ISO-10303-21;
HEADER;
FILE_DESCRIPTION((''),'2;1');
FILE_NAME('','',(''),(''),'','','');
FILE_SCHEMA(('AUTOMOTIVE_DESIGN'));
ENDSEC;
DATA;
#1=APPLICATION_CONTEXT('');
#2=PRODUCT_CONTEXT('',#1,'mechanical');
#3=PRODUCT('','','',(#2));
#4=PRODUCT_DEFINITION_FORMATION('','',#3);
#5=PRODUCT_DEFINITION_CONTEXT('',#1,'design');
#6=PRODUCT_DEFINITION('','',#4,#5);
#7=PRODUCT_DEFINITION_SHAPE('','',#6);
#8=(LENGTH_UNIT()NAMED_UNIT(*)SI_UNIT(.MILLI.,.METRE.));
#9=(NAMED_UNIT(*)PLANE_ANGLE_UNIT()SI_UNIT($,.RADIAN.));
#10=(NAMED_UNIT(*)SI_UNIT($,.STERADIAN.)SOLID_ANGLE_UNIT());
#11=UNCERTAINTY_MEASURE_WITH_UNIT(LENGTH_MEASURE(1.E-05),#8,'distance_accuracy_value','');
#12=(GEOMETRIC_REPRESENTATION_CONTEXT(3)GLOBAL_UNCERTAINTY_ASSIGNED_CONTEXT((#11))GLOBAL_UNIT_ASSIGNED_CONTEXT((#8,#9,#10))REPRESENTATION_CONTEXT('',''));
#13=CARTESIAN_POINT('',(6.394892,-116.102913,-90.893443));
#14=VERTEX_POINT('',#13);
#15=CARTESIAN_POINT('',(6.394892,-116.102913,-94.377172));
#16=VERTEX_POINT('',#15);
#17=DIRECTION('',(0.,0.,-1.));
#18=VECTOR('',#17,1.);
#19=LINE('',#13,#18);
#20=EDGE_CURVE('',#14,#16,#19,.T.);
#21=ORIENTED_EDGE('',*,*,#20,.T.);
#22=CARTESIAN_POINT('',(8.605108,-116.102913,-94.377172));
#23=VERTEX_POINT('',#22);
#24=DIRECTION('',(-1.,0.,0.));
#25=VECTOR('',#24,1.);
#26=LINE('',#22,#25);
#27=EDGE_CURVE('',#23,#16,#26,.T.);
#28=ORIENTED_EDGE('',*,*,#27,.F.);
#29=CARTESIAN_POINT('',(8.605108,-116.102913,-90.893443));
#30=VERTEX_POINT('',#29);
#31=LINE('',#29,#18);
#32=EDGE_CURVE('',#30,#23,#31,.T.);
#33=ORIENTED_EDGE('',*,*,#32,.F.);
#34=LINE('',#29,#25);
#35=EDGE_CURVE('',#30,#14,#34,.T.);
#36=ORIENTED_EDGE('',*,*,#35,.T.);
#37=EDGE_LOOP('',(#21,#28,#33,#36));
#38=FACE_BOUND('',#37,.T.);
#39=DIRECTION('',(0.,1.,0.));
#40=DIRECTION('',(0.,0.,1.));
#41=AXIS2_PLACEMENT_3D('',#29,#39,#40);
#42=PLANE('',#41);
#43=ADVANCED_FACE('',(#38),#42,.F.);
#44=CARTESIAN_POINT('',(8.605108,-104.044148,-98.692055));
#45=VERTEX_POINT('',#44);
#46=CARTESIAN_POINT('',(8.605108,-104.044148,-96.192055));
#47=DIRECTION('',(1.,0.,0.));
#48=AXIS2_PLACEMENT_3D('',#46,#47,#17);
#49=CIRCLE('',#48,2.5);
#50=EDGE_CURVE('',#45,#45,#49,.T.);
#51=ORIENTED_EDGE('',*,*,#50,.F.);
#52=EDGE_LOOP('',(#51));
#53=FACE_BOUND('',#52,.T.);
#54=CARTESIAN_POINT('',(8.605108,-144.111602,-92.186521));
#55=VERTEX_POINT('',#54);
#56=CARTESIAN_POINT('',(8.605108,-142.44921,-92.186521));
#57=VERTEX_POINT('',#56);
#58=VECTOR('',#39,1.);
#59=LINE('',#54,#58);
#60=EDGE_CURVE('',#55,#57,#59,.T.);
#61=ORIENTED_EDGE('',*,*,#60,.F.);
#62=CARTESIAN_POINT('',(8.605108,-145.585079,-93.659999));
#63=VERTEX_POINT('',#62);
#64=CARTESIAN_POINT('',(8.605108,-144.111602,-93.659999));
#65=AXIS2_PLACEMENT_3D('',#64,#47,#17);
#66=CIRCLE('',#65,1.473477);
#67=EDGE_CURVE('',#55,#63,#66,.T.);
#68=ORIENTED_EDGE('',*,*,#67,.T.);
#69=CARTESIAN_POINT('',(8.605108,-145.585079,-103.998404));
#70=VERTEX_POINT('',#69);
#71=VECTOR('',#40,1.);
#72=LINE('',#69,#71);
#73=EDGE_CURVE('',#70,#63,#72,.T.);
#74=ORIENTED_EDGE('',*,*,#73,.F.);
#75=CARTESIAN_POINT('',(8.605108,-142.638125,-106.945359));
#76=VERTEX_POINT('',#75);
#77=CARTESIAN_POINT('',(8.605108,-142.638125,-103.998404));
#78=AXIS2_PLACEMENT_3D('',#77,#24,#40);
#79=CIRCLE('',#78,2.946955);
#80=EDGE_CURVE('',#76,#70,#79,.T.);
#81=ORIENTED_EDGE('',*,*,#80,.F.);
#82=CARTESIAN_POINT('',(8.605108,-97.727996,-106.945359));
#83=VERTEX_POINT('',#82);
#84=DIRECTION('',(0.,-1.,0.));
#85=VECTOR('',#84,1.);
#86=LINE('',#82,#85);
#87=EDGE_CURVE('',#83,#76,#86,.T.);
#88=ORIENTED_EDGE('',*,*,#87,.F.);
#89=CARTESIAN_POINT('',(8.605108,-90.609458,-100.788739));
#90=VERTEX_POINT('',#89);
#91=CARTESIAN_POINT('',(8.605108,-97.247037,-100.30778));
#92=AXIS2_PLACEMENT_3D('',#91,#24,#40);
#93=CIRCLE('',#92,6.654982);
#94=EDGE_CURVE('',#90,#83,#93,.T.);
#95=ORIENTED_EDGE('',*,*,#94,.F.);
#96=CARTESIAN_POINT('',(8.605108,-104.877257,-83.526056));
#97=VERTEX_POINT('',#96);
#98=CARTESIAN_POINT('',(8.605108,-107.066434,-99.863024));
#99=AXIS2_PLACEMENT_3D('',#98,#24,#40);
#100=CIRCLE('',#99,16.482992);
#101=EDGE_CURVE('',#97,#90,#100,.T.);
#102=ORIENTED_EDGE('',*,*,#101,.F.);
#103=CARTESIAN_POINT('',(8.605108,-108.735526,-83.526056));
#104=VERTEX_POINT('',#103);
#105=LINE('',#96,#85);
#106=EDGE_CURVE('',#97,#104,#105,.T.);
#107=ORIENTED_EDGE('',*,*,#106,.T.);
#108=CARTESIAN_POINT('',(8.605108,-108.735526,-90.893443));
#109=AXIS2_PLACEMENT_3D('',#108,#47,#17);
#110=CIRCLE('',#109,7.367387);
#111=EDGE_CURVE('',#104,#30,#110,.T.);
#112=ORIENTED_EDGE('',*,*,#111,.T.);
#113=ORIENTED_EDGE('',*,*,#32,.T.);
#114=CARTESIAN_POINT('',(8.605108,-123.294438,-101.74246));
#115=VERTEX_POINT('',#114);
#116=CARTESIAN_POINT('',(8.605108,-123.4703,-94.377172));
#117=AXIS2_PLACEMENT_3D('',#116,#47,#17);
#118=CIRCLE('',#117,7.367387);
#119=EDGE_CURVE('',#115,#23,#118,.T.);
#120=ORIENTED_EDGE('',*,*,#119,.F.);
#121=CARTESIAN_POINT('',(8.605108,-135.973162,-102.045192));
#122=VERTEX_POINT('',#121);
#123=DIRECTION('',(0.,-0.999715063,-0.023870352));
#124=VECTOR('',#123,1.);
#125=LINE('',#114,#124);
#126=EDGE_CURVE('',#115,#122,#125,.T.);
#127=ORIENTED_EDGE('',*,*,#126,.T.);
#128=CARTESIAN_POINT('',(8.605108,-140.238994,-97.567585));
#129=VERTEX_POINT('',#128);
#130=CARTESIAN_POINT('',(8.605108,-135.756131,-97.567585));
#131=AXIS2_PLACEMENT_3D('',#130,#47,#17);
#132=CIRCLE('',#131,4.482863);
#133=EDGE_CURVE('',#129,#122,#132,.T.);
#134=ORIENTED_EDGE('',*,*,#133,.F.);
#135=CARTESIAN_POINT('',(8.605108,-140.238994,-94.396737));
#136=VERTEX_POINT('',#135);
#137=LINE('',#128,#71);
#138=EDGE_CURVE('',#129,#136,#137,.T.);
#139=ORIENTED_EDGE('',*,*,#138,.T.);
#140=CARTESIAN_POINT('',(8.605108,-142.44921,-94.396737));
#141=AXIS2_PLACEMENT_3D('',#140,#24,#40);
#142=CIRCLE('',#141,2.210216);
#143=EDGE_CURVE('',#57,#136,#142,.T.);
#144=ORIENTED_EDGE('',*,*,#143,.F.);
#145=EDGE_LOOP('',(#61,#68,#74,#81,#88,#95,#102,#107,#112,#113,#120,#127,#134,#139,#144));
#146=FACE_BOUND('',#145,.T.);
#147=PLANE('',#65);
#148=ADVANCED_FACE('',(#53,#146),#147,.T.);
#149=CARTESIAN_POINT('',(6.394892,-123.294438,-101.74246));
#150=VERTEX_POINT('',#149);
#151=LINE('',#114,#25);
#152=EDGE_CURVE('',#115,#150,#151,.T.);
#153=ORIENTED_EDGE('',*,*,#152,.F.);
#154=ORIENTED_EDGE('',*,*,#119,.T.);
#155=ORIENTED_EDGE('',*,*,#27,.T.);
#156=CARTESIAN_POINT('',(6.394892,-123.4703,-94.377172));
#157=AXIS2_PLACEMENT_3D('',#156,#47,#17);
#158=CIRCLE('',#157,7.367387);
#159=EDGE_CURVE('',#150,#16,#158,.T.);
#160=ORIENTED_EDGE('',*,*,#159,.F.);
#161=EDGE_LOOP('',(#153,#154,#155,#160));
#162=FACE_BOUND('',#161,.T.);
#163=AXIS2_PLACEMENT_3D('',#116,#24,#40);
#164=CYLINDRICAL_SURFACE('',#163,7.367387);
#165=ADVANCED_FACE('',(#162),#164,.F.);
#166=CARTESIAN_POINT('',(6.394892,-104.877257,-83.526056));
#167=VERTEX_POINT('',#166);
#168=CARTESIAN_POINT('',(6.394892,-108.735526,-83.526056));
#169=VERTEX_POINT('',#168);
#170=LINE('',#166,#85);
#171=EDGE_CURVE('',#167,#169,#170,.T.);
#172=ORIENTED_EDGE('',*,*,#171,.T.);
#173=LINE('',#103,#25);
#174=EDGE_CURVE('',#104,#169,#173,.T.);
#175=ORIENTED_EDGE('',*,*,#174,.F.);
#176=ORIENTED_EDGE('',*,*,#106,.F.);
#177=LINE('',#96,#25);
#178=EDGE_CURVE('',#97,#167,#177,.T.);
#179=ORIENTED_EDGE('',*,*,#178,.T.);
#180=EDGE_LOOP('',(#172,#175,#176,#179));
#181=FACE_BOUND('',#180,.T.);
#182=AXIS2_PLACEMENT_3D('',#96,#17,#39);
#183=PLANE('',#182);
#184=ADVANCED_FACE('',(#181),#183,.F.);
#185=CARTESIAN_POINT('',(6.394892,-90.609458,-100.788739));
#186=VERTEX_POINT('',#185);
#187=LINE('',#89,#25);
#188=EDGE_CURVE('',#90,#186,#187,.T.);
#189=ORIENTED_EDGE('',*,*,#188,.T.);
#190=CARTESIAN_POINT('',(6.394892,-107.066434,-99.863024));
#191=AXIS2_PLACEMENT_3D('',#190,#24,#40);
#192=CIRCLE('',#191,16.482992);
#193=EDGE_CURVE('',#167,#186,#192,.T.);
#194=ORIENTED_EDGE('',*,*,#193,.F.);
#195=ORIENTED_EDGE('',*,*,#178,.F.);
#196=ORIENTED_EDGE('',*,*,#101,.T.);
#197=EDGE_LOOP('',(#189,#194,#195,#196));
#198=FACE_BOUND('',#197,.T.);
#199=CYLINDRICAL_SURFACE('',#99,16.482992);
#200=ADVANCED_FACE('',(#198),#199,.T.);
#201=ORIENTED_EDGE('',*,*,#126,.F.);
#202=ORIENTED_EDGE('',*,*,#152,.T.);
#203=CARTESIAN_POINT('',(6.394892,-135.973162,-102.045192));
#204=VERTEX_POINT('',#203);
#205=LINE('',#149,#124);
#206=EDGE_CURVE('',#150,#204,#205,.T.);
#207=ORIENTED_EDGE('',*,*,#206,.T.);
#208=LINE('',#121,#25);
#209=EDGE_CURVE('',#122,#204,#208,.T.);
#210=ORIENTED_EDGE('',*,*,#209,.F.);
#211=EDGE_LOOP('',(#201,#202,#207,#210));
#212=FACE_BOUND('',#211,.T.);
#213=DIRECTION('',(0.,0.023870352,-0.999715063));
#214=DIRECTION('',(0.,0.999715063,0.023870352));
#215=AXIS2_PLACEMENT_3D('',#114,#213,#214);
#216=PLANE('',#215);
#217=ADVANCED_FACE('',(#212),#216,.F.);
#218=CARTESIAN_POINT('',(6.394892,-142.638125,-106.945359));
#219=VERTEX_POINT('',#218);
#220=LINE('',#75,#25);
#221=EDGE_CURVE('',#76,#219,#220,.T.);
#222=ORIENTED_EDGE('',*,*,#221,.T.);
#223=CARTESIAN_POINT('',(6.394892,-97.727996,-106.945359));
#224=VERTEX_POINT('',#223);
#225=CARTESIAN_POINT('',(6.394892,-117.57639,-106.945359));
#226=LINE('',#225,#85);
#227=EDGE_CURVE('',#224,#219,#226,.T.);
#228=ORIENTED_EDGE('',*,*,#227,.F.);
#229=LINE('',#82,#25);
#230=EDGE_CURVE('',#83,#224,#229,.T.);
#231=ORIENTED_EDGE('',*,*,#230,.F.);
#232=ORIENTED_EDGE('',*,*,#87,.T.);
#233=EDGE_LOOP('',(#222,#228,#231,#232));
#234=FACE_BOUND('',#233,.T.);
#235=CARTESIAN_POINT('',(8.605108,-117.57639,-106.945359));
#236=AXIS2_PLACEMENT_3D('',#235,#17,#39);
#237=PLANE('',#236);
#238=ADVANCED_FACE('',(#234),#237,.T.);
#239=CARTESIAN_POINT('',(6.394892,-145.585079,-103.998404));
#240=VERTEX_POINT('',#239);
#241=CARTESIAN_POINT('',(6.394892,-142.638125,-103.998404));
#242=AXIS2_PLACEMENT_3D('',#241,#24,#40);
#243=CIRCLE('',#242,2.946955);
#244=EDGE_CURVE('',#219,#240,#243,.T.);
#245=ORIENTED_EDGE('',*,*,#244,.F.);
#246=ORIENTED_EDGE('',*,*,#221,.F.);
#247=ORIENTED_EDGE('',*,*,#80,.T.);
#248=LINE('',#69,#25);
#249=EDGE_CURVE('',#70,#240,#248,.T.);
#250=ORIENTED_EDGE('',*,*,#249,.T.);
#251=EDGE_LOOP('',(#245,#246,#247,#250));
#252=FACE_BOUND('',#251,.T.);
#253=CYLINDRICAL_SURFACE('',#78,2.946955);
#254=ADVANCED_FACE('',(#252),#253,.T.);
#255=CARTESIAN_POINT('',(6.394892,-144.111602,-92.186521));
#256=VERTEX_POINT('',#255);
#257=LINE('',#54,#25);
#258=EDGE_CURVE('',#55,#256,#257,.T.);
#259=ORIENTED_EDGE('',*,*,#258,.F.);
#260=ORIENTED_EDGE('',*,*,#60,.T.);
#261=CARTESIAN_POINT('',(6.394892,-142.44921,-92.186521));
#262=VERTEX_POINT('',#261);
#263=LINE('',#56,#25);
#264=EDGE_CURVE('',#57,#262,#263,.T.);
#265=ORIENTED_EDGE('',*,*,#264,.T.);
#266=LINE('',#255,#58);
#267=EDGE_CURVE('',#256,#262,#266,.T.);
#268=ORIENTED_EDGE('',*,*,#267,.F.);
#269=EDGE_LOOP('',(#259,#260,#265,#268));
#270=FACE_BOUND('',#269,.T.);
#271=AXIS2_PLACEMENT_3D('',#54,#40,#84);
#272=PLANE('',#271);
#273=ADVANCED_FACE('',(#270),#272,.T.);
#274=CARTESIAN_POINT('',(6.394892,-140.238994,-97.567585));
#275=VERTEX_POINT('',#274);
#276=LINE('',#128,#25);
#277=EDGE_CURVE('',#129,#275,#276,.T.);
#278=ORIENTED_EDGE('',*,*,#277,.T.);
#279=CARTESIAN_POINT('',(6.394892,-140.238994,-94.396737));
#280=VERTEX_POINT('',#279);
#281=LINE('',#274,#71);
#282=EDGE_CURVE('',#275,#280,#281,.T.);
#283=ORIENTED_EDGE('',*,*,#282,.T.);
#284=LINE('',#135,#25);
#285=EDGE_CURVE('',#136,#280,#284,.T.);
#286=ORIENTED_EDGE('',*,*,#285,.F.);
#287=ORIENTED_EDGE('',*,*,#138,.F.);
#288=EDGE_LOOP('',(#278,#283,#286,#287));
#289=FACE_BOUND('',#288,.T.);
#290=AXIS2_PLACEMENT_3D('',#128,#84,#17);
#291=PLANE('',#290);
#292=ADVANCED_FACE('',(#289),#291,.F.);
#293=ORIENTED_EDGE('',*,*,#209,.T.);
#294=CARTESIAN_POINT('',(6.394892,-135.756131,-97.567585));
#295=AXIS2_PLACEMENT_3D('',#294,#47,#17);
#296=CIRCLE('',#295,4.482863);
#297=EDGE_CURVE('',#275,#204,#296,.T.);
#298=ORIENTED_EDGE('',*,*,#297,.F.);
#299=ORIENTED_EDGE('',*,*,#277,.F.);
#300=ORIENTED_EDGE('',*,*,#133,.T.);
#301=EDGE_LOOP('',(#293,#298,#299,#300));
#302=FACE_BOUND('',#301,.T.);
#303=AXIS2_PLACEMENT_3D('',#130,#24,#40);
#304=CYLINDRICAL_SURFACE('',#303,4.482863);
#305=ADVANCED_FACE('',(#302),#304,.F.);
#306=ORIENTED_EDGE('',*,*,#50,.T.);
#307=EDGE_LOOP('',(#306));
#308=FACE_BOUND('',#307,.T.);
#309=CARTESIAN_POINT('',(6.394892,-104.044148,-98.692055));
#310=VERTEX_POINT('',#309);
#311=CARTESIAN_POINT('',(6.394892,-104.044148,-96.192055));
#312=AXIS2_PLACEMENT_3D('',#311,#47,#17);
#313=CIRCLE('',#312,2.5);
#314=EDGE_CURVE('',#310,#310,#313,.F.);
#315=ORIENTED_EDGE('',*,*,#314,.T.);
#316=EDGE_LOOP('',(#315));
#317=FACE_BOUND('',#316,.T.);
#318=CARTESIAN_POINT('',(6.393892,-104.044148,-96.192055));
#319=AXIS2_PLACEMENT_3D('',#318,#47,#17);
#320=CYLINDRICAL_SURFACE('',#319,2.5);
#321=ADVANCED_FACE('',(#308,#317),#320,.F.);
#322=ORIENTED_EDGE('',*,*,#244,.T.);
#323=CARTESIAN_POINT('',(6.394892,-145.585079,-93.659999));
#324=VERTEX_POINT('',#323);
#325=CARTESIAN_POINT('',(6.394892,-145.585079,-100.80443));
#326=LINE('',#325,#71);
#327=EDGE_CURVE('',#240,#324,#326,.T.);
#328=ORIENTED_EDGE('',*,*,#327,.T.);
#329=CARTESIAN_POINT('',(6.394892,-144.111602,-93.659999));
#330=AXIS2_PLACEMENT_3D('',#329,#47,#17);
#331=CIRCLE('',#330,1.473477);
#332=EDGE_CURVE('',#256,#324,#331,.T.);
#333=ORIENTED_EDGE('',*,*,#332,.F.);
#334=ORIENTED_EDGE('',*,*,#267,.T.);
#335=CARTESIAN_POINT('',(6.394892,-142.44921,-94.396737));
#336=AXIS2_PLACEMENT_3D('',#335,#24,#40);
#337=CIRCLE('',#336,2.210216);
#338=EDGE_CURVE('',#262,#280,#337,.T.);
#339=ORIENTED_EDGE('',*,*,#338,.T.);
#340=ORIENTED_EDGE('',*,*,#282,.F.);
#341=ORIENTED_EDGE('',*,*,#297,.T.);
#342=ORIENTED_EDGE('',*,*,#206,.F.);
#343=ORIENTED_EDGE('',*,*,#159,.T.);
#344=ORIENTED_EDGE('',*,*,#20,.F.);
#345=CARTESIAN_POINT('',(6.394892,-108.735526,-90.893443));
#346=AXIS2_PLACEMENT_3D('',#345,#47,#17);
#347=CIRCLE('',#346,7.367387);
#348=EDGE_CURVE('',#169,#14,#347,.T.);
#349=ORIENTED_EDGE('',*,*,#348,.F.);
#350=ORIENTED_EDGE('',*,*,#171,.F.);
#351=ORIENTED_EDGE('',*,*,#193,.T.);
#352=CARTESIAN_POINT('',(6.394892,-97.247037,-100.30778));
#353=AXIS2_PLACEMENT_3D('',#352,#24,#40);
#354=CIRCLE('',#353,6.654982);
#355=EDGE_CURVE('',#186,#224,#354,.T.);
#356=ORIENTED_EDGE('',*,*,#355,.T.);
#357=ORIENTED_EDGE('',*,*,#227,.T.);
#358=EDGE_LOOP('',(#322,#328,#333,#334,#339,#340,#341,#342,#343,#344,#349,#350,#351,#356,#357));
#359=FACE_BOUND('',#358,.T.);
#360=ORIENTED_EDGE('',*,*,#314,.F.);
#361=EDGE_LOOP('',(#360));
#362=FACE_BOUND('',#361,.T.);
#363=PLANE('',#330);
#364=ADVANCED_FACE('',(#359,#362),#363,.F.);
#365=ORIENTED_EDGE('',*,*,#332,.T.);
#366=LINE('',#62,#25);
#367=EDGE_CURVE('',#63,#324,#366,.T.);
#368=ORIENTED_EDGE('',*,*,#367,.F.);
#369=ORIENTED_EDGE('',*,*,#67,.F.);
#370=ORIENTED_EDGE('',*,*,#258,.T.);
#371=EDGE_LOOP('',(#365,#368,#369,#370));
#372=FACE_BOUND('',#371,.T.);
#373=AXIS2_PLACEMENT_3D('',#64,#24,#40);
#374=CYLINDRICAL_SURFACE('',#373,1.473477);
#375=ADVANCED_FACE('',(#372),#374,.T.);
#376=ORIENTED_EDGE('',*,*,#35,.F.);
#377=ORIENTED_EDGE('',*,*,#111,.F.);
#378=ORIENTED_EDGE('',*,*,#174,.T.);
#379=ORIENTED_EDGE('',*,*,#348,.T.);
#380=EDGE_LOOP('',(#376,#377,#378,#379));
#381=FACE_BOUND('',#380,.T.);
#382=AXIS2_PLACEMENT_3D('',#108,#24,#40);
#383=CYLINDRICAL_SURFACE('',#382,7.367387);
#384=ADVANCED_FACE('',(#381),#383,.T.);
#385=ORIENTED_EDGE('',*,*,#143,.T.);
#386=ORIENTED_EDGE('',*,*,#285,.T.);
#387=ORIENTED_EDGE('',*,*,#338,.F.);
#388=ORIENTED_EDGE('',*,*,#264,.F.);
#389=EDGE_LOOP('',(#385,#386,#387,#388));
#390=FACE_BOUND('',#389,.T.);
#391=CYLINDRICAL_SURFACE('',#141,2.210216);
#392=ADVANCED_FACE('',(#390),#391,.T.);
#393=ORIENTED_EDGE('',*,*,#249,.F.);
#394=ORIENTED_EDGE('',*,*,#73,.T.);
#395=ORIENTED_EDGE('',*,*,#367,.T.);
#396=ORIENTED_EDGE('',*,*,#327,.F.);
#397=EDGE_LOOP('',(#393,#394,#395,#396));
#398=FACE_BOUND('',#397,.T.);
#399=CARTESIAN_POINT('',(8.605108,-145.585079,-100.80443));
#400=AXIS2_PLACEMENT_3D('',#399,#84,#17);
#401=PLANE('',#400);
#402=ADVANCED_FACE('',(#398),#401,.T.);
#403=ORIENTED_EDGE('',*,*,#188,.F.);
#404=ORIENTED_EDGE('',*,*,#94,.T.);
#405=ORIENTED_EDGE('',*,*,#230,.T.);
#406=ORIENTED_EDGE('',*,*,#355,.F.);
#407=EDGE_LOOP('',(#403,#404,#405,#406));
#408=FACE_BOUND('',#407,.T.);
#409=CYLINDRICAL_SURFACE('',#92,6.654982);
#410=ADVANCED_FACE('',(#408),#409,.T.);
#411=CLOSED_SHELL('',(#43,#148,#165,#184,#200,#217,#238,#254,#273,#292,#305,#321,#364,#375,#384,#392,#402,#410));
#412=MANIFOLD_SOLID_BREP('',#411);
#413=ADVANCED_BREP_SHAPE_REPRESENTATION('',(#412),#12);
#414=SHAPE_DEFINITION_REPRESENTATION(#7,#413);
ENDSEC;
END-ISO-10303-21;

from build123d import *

# Parameters (mm, degrees)
BOSS_EXTRUDE1_DEPTH = 15
SCALE1_SCALE        = 0.147347741
CUT_EXTRUDE1_REACH  = 182.668
SKETCH4_R           = 2.5


with BuildPart() as part:
    # Sketch3 → Boss-Extrude1 (new body)
    with BuildSketch(Plane(origin=(0, 0, 0), x_dir=(0, 0, -1), z_dir=(1, 0, 0))):
        with BuildLine():
            Line((0, -60), (0, -86.184781703))
            ThreePointArc((0, -86.184781703), (14.644660941, -121.540120762), (50, -136.184781703))
            Line((50, -136.184781703), (73.642909299, -136.184781703))
            ThreePointArc((73.642909299, -136.184781703), (108.573727492, -150.409958986), (123.628662427, -184.991264087))
            Line((123.628662427, -184.991264087), (125.683202704, -271.037537481))
            ThreePointArc((125.683202704, -271.037537481), (116.280768167, -291.592024429), (95.295179386, -299.98831959))
            Line((95.295179386, -299.98831959), (73.775693132, -299.98831959))
            ThreePointArc((73.775693132, -299.98831959), (63.169091414, -304.381717872), (58.775693132, -314.98831959))
            Line((58.775693132, -314.98831959), (58.775693132, -326.270417599))
            ThreePointArc((58.775693132, -326.270417599), (61.70462532, -333.341485411), (68.775693132, -336.270417599))
            Line((68.775693132, -336.270417599), (117.262564818, -336.270417599))
            Line((117.262564818, -336.270417599), (138.939006392, -336.270417599))
            ThreePointArc((138.939006392, -336.270417599), (153.081142016, -330.412553223), (158.939006392, -316.270417599))
            Line((158.939006392, -316.270417599), (158.939006392, -146.184781703))
            Line((158.939006392, -146.184781703), (158.939006392, -50))
            Line((158.939006392, -50), (158.939006392, -11.480346054))
            ThreePointArc((158.939006392, -11.480346054), (148.053108697, 21.328755123), (117.156078712, 36.830801017))
            ThreePointArc((117.156078712, 36.830801017), (39.60735059, 11.368133348), (0, -60))
        make_face()
    extrude(amount=BOSS_EXTRUDE1_DEPTH)


with BuildPart() as part_1:
    # Scale1: scaled about (7.5, -112.632543916, -97.960281801)
    add(part.part.scale(SCALE1_SCALE).moved(Location((6.394891943, -96.036393007, -83.52605557))))

    # Sketch4 → Cut-Extrude1 (cut, up to next)
    with BuildSketch(Plane(origin=(8.605108057, 0, 0), x_dir=(0, 0, -1), z_dir=(1, 0, 0)), mode=Mode.PRIVATE) as cut_extrude1_sk1:
        with Locations((96.192054569, -104.044147658)):
            Circle(SKETCH4_R)
    cut_extrude1_tool1 = extrude(cut_extrude1_sk1.sketch, amount=-CUT_EXTRUDE1_REACH, mode=Mode.PRIVATE) & part_1.part
    add(cut_extrude1_tool1.solids().sort_by_distance((8.605108, -104.044148, -96.192055))[0], mode=Mode.SUBTRACT)


solid = part_1.part
